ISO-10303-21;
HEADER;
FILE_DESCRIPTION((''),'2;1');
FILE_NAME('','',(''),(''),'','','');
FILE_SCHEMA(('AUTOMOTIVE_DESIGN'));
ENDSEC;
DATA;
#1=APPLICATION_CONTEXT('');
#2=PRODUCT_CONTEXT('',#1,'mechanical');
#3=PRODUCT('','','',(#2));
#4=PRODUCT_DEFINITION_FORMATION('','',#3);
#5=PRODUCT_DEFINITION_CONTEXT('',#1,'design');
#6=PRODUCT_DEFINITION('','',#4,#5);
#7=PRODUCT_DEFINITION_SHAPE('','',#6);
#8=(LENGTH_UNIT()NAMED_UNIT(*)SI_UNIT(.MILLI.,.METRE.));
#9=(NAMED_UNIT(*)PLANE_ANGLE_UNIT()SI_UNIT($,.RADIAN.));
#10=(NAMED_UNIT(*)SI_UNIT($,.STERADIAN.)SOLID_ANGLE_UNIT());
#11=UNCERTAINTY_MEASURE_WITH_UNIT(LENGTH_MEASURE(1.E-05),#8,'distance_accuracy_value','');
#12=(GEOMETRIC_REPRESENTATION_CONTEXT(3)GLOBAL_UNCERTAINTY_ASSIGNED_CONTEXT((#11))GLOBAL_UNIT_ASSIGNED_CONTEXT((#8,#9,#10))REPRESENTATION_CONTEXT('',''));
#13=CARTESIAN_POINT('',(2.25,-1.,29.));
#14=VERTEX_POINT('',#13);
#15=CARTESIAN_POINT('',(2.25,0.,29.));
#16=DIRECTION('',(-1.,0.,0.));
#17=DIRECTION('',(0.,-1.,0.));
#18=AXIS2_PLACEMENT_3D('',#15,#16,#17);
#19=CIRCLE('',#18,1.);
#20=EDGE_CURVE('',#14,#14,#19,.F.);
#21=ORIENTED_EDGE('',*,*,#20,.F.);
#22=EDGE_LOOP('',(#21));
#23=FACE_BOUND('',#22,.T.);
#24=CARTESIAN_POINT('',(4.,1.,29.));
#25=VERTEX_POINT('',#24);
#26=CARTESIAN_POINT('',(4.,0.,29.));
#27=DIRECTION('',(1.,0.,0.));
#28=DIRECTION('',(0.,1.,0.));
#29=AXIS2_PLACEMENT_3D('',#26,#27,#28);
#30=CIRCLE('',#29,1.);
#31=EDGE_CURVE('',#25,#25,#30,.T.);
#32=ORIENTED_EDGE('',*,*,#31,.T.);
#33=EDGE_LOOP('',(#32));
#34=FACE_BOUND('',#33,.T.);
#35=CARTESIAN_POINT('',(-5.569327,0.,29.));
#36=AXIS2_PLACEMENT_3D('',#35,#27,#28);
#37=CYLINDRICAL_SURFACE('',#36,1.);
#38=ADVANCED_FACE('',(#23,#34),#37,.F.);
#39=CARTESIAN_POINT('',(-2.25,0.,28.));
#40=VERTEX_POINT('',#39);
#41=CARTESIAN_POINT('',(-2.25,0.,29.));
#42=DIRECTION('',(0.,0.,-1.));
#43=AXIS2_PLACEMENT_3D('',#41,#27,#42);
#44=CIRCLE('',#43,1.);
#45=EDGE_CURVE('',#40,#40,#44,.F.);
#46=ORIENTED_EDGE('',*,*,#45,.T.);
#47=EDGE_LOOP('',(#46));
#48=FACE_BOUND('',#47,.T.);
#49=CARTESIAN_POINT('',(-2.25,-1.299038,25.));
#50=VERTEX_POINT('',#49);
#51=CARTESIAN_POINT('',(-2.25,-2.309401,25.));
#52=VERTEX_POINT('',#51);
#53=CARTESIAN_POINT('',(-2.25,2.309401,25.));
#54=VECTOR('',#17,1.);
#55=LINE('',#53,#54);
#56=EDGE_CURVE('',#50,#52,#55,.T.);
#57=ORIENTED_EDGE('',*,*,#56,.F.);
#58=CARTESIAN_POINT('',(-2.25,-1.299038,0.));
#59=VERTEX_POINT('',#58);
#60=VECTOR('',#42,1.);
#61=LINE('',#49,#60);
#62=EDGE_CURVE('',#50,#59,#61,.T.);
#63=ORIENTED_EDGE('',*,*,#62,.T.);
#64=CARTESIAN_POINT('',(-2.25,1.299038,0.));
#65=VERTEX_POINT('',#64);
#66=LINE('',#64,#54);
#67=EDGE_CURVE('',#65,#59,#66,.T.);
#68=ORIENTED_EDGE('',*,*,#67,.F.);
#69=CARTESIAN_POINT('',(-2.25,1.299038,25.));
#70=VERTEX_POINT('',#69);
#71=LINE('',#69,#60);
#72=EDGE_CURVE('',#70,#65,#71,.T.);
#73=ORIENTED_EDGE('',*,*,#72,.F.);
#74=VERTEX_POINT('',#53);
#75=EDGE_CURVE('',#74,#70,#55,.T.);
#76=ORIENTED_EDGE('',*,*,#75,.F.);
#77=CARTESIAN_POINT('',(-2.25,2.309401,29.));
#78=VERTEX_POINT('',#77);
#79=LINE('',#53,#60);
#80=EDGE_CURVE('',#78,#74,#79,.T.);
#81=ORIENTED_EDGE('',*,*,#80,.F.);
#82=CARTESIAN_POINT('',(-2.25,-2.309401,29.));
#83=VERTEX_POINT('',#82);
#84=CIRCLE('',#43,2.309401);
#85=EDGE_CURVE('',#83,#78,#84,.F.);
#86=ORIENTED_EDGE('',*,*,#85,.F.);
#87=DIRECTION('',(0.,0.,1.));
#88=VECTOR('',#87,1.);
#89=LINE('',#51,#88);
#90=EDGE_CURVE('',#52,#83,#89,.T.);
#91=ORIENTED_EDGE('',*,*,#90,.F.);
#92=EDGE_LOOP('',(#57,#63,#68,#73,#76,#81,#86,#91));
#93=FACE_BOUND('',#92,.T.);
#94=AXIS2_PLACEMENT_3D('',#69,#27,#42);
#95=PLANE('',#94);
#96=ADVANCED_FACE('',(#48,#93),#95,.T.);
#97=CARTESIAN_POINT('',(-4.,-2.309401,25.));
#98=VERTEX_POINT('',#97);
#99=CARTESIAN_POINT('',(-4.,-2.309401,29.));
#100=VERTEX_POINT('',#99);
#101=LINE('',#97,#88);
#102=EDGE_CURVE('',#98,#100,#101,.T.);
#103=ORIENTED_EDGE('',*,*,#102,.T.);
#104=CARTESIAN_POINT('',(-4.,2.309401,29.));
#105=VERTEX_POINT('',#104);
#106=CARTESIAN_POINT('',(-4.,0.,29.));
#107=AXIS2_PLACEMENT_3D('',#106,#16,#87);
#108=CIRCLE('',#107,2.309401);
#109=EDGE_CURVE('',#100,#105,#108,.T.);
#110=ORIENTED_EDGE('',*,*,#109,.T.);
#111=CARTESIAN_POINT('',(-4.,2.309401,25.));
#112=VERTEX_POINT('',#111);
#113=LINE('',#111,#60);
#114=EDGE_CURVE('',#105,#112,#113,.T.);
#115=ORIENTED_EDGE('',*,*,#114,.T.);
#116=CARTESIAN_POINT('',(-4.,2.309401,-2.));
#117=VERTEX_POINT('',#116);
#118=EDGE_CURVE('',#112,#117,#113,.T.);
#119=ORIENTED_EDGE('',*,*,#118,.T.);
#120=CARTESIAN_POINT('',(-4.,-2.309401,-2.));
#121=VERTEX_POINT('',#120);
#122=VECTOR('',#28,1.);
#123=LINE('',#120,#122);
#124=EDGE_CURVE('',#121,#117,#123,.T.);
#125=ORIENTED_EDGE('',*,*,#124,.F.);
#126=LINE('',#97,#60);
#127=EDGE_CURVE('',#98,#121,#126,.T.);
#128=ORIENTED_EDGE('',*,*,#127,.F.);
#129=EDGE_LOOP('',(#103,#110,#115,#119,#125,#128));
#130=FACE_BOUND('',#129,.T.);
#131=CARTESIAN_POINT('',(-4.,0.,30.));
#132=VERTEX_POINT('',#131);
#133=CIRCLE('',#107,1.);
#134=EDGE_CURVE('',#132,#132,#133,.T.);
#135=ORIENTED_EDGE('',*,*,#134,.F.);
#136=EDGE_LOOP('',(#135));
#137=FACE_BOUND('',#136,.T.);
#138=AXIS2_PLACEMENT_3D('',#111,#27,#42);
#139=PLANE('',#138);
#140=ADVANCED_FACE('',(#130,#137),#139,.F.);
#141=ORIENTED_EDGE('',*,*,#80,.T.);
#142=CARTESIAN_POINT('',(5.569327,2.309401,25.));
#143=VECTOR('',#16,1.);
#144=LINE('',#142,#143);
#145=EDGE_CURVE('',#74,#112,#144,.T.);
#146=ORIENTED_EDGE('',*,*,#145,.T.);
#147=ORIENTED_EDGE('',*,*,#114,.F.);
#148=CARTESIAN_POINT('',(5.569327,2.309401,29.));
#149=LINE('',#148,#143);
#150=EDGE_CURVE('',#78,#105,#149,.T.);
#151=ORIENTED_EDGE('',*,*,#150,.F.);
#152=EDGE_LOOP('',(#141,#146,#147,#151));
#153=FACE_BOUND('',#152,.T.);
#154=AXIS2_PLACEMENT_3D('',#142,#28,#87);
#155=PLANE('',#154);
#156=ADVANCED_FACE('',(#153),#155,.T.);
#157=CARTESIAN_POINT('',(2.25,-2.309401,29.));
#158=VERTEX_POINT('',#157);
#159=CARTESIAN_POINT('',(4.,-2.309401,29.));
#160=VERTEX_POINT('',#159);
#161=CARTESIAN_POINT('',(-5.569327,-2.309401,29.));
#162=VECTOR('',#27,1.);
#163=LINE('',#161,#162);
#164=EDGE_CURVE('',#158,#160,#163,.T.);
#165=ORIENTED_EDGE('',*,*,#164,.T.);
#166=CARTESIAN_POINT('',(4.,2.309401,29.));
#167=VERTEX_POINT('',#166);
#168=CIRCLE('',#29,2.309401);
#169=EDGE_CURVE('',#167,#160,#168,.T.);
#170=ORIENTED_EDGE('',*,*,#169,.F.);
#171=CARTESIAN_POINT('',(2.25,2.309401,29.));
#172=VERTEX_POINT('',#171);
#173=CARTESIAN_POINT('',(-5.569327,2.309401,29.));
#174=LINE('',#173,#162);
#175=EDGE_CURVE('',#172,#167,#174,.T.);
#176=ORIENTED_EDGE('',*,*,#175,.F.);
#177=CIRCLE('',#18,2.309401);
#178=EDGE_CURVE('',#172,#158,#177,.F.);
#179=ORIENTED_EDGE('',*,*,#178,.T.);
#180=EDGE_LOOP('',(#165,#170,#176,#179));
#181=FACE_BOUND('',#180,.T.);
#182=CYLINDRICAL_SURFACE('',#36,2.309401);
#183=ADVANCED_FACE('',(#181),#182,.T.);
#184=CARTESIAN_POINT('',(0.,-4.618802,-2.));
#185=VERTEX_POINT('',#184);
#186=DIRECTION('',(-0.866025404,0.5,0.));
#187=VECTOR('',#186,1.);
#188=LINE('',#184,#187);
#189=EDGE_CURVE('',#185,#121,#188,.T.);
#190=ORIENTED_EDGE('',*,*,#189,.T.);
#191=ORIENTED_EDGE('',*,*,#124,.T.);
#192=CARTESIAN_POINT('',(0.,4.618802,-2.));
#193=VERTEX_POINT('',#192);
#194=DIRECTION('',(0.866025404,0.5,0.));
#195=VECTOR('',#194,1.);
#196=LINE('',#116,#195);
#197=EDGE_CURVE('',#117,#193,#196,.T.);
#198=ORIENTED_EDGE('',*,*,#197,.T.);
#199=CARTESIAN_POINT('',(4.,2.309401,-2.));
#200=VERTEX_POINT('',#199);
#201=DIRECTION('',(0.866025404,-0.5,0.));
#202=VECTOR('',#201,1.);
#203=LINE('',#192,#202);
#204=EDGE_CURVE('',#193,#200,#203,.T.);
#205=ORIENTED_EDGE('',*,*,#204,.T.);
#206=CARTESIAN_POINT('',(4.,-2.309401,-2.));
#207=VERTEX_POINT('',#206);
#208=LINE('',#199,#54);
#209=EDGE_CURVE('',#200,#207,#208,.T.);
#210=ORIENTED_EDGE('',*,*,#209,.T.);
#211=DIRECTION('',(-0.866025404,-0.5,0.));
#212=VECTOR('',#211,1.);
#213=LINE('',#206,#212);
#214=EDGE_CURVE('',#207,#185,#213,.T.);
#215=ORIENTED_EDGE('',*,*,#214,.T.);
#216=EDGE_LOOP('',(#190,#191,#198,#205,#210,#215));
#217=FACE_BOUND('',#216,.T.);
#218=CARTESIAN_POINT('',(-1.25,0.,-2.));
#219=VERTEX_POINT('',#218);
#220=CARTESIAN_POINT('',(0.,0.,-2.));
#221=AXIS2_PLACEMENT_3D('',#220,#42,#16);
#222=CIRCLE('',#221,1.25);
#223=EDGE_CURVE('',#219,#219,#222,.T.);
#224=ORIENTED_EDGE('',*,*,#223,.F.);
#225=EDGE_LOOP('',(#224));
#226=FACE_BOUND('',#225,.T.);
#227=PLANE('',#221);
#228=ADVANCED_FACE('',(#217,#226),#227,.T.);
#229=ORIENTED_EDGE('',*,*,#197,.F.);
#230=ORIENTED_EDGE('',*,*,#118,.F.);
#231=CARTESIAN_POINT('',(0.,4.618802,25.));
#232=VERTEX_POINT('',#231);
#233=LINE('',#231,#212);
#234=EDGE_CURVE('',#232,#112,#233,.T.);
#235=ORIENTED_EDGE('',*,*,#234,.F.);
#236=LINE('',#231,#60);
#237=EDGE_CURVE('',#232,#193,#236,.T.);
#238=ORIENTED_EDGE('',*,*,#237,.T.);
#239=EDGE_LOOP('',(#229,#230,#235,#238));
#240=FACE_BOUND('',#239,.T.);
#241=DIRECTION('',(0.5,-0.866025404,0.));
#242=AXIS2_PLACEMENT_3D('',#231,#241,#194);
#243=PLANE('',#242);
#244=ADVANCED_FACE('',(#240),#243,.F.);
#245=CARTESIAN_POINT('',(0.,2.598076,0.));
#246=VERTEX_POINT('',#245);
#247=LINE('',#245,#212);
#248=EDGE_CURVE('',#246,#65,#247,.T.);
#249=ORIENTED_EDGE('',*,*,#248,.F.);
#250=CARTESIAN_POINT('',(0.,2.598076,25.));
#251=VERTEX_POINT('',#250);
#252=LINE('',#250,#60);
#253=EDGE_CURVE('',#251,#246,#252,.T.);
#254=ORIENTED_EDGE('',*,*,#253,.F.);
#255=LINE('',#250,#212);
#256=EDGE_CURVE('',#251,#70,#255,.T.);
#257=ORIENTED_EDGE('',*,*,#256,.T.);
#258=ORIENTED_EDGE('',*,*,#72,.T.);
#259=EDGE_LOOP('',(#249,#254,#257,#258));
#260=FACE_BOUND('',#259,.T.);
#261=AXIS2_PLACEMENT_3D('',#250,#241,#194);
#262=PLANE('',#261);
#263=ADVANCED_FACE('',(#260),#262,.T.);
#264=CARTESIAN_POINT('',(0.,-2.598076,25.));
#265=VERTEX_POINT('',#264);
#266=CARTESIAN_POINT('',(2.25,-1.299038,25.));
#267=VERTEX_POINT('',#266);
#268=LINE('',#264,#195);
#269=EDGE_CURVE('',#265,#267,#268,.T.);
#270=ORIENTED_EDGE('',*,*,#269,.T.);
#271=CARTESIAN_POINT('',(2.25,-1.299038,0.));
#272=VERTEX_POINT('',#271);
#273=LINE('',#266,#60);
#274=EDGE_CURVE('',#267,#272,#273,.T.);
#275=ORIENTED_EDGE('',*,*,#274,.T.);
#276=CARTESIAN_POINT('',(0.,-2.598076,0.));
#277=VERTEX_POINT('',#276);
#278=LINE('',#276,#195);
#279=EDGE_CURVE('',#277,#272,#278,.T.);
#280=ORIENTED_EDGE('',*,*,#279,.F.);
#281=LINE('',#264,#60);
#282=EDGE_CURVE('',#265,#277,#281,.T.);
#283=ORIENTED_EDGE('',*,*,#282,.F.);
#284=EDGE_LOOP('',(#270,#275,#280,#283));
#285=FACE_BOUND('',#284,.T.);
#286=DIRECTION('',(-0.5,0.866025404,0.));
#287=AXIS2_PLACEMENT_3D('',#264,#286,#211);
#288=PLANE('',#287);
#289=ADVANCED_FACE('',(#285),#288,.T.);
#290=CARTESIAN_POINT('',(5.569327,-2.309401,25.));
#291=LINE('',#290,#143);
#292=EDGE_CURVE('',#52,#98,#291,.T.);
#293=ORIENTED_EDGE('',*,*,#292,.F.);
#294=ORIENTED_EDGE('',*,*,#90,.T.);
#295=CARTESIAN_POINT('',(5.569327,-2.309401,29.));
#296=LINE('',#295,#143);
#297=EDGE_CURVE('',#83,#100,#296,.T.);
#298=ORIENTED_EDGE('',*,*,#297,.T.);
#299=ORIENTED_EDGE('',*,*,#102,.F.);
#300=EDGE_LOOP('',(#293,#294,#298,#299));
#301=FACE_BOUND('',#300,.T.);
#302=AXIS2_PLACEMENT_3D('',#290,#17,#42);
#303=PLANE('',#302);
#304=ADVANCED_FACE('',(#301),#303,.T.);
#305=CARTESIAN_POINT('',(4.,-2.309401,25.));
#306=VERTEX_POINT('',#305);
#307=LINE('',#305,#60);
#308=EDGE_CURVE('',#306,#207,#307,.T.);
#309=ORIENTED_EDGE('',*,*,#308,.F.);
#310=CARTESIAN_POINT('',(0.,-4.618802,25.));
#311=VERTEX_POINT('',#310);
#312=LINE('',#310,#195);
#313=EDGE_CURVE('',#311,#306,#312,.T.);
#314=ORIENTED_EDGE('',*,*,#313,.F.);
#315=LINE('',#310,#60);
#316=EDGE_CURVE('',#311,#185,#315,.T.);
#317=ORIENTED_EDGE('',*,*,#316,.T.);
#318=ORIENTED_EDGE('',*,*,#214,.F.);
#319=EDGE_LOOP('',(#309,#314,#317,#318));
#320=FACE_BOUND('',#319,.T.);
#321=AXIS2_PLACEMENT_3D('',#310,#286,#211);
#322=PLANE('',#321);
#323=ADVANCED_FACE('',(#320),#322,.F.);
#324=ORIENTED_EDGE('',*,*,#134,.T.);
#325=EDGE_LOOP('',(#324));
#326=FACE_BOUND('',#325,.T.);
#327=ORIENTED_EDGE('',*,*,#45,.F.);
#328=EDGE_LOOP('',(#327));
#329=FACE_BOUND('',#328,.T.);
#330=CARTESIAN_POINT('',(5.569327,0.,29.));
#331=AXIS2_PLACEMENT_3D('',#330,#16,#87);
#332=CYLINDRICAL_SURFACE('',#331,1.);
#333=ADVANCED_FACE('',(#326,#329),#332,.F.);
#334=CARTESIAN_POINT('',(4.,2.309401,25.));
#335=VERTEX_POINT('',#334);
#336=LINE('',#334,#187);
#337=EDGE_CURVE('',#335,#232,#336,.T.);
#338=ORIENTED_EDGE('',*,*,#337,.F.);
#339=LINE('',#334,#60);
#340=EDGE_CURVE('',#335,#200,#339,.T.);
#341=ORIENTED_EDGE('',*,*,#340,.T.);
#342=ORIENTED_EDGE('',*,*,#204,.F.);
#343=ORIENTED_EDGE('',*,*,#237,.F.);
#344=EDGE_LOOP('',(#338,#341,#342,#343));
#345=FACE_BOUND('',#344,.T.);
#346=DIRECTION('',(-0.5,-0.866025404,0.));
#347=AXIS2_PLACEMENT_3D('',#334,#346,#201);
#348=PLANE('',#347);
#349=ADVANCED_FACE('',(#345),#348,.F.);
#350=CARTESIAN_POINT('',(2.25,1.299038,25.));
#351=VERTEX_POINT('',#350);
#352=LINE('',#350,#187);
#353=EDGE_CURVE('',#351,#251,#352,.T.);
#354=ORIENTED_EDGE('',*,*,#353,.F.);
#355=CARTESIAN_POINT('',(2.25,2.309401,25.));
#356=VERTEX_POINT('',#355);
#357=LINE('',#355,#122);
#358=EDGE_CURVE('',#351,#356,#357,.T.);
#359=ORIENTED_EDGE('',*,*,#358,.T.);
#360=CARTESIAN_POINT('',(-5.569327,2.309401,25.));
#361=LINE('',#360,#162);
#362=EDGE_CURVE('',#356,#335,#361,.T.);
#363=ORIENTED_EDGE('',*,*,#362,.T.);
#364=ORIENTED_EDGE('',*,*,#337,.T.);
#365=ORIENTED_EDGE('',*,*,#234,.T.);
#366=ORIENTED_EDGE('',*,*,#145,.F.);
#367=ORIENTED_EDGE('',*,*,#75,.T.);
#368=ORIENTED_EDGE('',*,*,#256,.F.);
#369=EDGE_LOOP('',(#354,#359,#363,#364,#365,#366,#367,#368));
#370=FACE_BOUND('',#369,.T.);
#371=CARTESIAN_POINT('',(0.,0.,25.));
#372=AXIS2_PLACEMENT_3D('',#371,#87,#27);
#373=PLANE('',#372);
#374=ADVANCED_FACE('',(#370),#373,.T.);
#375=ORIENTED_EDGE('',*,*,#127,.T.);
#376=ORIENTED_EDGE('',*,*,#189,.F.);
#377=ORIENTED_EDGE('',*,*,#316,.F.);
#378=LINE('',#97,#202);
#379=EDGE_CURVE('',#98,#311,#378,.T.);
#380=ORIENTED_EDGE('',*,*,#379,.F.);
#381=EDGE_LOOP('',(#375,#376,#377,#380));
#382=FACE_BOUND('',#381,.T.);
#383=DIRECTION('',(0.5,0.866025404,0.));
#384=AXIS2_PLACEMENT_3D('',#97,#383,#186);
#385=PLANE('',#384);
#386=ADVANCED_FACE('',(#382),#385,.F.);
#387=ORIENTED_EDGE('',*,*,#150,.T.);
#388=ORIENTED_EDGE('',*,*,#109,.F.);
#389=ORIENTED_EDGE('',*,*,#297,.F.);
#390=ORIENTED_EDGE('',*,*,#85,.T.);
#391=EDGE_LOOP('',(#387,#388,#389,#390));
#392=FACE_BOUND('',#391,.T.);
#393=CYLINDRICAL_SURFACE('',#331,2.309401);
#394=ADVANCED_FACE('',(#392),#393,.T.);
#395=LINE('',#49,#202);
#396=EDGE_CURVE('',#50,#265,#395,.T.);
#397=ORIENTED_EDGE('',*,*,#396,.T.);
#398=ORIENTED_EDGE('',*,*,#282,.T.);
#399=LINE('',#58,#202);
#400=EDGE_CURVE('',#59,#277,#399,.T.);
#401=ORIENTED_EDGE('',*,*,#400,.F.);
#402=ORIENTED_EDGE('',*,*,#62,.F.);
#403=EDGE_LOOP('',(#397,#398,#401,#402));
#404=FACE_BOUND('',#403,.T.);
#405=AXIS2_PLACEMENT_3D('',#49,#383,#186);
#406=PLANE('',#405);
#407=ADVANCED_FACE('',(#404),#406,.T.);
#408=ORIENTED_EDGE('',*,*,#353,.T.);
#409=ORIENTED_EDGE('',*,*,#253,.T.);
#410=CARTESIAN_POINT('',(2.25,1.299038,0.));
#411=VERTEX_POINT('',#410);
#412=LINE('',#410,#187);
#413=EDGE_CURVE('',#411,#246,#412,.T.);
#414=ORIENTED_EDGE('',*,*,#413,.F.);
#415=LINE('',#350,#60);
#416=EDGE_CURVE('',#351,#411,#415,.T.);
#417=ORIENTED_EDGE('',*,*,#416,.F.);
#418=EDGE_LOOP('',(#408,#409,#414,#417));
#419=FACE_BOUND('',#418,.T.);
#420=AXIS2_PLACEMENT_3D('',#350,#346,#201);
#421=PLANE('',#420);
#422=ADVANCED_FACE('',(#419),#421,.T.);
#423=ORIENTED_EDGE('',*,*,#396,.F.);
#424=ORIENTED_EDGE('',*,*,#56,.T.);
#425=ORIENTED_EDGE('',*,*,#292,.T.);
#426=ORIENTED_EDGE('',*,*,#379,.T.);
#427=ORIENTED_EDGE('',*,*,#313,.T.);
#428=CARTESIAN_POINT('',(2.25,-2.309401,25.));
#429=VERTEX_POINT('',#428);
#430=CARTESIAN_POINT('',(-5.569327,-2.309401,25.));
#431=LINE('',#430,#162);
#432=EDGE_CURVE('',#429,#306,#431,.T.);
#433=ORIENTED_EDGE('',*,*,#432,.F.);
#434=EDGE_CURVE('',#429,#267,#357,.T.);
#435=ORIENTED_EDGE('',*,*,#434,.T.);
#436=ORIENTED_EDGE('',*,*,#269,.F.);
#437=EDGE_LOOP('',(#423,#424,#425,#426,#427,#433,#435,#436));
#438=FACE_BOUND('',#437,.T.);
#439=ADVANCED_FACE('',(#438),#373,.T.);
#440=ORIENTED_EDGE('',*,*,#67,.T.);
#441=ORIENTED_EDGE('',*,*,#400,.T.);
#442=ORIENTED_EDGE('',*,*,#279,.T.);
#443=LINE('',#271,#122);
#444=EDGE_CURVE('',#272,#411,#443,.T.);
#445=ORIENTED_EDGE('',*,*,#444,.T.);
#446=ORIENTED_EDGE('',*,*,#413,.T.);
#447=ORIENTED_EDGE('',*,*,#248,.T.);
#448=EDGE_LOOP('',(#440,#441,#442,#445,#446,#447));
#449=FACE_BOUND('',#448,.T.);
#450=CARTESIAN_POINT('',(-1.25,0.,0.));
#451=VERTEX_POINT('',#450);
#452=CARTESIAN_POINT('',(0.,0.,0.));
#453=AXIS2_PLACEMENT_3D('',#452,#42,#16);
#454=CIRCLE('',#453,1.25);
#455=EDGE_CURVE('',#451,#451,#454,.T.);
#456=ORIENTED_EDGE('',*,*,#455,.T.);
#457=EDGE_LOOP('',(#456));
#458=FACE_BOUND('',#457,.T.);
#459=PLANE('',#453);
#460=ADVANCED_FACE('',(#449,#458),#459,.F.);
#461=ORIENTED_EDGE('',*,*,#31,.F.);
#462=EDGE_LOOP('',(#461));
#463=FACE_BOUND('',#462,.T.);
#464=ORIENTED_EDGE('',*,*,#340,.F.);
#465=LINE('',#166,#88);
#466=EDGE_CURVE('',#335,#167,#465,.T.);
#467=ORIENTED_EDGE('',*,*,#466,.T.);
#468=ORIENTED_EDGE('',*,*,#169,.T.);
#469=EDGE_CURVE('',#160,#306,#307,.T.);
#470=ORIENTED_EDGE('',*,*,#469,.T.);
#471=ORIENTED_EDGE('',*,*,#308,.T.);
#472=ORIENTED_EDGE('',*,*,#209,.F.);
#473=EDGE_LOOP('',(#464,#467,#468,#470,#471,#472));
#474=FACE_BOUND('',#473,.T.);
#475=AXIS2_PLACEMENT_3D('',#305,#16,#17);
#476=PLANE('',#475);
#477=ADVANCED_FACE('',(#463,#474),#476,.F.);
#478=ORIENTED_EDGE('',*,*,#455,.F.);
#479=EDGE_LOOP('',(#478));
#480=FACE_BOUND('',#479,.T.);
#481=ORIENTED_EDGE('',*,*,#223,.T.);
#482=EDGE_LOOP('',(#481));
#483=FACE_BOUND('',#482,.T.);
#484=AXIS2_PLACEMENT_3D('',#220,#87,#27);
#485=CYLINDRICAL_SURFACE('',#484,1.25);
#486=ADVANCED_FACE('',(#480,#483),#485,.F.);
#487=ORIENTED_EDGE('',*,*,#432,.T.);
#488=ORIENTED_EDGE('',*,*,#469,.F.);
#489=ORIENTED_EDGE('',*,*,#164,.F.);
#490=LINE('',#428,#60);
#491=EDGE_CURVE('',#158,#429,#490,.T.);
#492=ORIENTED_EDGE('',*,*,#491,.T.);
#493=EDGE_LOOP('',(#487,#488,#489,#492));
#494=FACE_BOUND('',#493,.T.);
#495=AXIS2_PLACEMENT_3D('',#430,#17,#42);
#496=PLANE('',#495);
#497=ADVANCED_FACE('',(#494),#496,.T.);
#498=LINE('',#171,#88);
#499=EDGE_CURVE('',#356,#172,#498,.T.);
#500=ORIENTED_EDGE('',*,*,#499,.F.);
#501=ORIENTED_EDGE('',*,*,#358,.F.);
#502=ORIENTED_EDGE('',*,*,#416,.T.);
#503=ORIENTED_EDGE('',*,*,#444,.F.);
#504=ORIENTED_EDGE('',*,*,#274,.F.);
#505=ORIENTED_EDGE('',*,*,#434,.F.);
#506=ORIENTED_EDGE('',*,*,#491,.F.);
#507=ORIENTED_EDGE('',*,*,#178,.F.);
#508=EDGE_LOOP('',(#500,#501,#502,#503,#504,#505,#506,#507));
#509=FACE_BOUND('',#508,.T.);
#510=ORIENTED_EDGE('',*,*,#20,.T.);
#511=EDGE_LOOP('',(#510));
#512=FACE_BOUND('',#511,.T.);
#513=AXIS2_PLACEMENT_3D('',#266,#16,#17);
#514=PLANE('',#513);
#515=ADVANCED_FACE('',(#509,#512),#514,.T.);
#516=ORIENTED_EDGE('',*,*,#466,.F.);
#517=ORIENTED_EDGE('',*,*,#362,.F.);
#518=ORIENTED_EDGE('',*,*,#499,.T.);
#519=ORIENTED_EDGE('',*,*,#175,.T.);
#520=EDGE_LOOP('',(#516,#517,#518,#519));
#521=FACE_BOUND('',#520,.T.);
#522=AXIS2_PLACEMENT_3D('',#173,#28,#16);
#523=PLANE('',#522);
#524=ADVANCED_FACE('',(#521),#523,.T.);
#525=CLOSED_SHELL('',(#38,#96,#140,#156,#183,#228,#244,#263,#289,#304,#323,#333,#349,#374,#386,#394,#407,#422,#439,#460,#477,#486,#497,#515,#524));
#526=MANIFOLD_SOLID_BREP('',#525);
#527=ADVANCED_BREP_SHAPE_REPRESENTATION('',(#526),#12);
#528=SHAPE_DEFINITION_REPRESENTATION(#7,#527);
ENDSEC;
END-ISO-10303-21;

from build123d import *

# Parameters (mm, degrees)
EXTRUDE_1_DEPTH = 25
SKETCH_2_R      = 1.25
EXTRUDE_2_DEPTH = 2
SKETCH_3_R      = 1
EXTRUDE_3_DEPTH = 1.75
SKETCH_4_R      = 1
EXTRUDE_4_DEPTH = 1.75


with BuildPart() as part:
    # 스케치1 → 보스-돌출1 (new body)
    with BuildSketch(Plane.XY):
        Polygon((0, 4.618802154), (-4, 2.309401077), (-4, -2.309401077), (0, -4.618802154), (4, -2.309401077), (4, 2.309401077), align=None)
        Polygon((0, 2.598076211), (-2.25, 1.299038106), (-2.25, -1.299038106), (0, -2.598076211), (2.25, -1.299038106), (2.25, 1.299038106), align=None, mode=Mode.SUBTRACT)
    extrude(amount=EXTRUDE_1_DEPTH)

    # 스케치2 → 보스-돌출2 (add)
    with BuildSketch(Plane(origin=(0, 0, 0), x_dir=(-1, 0, 0), z_dir=(0, 0, -1))):
        Polygon((0, 4.618802154), (-4, 2.309401077), (-4, -2.309401077), (0, -4.618802154), (4, -2.309401077), (4, 2.309401077), align=None)
        Circle(SKETCH_2_R, mode=Mode.SUBTRACT)
    extrude(amount=EXTRUDE_2_DEPTH)

    # 스케치3 → 보스-돌출3 (add)
    with BuildSketch(Plane.ZY.offset(4)):
        with BuildLine():
            Line((25, 2.309401077), (29, 2.309401077))
            ThreePointArc((29, 2.309401077), (31.309401077, 0), (29, -2.309401077))
            Line((29, -2.309401077), (25, -2.309401077))
            Line((25, -2.309401077), (25, 2.309401077))
        make_face()
        with Locations((29, 0)):
            Circle(SKETCH_3_R, mode=Mode.SUBTRACT)
    extrude(amount=-EXTRUDE_3_DEPTH)

    # 스케치4 → 보스-돌출4 (add)
    with BuildSketch(Plane(origin=(4, 0, 0), x_dir=(0, 0, -1), z_dir=(1, 0, 0))):
        with BuildLine():
            Line((-29, 2.309401077), (-25, 2.309401077))
            Line((-25, 2.309401077), (-25, -2.309401077))
            Line((-25, -2.309401077), (-29, -2.309401077))
            ThreePointArc((-29, -2.309401077), (-31.309401077, 0), (-29, 2.309401077))
        make_face()
        with Locations((-29, 0)):
            Circle(SKETCH_4_R, mode=Mode.SUBTRACT)
    extrude(amount=-EXTRUDE_4_DEPTH)


solid = part.part
